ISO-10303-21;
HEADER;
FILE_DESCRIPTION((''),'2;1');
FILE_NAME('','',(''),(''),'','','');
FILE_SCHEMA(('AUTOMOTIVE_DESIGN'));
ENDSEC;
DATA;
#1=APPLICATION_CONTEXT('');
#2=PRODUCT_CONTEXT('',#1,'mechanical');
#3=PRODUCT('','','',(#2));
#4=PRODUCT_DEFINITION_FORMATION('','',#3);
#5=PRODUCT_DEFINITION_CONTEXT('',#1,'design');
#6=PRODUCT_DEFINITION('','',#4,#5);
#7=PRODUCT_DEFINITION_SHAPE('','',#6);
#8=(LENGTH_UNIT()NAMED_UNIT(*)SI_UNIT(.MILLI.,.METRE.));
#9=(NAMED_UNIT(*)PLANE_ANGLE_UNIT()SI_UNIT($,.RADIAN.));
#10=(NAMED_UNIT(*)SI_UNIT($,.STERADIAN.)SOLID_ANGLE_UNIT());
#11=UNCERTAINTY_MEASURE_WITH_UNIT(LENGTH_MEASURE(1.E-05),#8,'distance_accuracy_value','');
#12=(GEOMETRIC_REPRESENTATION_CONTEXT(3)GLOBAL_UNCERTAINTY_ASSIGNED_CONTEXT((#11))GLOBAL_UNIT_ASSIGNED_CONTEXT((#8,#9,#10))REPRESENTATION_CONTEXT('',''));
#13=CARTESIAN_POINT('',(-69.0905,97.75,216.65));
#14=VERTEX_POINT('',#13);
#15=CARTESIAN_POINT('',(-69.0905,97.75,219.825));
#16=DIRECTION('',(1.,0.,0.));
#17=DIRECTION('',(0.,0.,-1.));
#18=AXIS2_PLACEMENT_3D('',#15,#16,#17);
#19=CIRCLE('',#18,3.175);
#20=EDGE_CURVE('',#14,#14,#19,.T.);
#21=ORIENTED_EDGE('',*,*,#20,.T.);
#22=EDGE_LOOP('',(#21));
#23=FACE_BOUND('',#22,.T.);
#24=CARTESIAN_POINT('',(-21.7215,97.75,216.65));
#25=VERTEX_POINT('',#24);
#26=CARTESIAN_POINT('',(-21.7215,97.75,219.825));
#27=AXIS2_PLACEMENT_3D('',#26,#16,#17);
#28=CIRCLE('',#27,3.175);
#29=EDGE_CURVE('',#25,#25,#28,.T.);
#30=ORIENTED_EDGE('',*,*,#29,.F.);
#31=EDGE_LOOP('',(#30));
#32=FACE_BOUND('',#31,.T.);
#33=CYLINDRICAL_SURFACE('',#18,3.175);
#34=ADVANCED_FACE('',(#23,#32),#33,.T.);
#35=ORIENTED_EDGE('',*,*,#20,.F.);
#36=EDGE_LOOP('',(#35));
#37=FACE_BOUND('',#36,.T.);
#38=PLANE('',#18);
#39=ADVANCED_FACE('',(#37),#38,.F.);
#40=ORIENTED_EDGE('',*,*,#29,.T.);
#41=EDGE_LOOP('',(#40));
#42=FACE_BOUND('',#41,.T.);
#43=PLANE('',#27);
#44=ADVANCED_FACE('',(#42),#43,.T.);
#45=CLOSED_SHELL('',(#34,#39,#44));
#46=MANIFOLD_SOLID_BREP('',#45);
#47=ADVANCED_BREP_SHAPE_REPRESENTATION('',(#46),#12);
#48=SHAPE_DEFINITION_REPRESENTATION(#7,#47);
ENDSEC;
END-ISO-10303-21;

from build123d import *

# Parameters (mm, degrees)
SWEEP1_PROFILE_R = 3.175


with BuildPart() as part:
    # Sweep1: sweep along a curve in space
    with BuildLine() as sweep1_path:
        Line((-69.090499988, 97.75, 219.8250001), (-21.721499996, 97.75, 219.8250001))
    # Sweep1 profile (on start of the path) → Sweep1 (sweep)
    with BuildSketch(Plane(origin=(-69.090499988, 97.75, 219.8250001), x_dir=(0, 0, 1), z_dir=(1, 0, 0))):
        Circle(SWEEP1_PROFILE_R)
    sweep(path=sweep1_path.line)


solid = part.part
